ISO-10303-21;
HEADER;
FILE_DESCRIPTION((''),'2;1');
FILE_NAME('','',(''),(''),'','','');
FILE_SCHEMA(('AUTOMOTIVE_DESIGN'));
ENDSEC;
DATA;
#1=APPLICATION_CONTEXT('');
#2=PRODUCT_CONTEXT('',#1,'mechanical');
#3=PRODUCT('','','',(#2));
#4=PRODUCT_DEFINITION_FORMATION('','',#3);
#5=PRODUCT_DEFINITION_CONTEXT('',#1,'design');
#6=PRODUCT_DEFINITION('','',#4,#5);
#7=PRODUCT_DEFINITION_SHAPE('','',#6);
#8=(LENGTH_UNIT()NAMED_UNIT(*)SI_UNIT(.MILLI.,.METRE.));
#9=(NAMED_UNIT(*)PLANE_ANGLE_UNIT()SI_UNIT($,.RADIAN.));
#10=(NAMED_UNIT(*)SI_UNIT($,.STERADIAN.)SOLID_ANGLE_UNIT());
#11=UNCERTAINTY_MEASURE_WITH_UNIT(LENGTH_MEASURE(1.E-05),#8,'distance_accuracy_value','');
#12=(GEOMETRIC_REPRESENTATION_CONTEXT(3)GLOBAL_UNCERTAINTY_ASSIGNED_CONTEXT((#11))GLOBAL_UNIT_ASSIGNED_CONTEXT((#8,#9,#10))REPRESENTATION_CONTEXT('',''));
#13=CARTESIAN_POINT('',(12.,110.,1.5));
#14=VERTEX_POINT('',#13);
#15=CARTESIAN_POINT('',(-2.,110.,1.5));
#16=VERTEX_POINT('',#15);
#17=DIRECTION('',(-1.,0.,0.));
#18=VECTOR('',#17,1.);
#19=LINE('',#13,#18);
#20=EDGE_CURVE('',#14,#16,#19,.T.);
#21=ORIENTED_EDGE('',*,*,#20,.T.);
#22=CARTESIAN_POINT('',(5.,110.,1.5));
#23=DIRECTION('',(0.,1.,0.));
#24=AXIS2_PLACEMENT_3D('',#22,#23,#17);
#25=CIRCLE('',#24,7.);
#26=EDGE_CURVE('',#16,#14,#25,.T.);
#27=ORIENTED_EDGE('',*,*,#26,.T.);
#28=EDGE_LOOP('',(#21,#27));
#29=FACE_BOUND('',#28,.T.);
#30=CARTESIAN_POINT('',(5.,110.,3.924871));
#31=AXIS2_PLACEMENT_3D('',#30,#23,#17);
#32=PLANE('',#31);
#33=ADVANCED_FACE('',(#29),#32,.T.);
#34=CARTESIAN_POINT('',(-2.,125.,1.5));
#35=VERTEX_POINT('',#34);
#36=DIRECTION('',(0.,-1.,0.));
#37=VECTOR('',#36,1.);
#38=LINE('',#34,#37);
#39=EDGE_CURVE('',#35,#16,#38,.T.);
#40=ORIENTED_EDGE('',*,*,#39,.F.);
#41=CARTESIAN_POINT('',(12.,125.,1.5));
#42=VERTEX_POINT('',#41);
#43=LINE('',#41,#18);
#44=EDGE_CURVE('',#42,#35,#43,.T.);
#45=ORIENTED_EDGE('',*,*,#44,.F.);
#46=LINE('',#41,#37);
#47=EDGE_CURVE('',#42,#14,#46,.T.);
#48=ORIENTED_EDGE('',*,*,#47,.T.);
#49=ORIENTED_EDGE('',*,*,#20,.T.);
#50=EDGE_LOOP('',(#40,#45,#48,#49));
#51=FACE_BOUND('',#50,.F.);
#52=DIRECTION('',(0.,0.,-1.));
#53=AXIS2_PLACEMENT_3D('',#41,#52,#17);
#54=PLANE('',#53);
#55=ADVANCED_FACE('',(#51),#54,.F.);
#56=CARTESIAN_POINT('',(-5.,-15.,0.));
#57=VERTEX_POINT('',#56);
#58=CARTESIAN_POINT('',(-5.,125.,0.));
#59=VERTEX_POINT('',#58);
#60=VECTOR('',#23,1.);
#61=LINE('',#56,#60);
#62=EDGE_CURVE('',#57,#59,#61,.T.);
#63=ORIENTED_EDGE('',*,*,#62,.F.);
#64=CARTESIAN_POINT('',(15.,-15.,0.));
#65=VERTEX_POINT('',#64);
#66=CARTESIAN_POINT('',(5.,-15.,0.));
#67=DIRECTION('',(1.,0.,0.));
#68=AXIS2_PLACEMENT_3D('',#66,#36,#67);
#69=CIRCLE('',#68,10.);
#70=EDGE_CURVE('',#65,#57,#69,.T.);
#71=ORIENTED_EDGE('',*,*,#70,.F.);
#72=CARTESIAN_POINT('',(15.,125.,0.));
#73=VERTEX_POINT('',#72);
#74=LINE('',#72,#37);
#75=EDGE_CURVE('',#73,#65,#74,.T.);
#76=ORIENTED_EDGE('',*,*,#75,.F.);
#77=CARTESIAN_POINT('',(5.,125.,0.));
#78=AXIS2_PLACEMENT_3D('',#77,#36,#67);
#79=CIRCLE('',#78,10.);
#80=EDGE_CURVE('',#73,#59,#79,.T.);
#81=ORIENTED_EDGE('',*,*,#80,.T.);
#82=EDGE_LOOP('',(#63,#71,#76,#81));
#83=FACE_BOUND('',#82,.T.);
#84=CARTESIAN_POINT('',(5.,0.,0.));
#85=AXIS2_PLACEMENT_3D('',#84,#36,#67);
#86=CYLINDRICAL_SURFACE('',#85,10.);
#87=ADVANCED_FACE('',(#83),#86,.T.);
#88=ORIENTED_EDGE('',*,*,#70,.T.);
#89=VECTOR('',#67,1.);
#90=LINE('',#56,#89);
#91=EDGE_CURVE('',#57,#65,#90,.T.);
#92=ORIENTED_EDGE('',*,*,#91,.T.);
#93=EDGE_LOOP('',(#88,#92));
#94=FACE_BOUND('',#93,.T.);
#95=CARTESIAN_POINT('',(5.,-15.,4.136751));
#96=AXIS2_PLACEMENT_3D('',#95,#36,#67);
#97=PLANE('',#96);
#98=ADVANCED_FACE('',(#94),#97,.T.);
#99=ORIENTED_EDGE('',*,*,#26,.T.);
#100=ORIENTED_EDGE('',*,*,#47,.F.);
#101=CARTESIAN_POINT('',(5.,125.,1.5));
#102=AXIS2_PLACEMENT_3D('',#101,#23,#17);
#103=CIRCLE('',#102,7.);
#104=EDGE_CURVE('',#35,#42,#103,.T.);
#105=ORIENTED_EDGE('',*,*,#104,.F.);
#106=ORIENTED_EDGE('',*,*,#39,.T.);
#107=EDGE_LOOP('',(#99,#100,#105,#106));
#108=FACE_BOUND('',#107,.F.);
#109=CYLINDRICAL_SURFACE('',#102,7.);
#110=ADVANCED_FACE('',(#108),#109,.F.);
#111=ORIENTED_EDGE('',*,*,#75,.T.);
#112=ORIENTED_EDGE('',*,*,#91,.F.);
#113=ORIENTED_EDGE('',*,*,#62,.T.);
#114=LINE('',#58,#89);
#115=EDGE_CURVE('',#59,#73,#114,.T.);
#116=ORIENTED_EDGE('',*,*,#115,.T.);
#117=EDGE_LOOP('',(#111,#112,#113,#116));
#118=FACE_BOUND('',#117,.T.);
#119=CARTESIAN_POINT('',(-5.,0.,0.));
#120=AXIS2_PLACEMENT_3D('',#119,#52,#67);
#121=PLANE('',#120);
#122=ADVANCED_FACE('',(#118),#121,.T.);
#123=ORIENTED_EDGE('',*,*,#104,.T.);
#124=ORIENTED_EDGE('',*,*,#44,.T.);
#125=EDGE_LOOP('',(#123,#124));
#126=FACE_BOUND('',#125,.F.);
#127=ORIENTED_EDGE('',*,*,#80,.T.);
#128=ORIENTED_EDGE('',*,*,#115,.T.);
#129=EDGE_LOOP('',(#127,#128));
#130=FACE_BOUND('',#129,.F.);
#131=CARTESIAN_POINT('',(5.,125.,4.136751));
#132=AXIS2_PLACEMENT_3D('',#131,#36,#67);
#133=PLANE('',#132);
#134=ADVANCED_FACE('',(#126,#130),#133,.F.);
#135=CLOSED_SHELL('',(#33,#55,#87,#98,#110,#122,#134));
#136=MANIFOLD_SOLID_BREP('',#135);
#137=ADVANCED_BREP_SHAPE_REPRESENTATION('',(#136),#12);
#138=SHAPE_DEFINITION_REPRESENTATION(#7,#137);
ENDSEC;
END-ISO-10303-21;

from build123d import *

# Parameters (mm, degrees)
F1_DEPTH = 15
F2_DEPTH = 125
F4_DEPTH = 15


with BuildPart() as f1:
    # F0 (on Front) → F1 (new body)
    with BuildSketch(Plane.XZ):
        with BuildLine():
            Line((-5, 0), (0, 0))
            Line((0, 0), (0, 5))
            Line((0, 5), (5, 5))
            Line((5, 5), (10, 5))
            Line((10, 5), (10, 0))
            Line((10, 0), (15, 0))
            ThreePointArc((15, 0), (5, 10), (-5, 0))
        make_face()
        with BuildLine():
            ThreePointArc((5, 5), (1.4644660941, 3.5355339059), (0, 0))
            Line((0, 0), (10, 0))
            ThreePointArc((10, 0), (8.5355339059, 3.5355339059), (5, 5))
        make_face()
        with BuildLine():
            Line((0, 5), (0, 0))
            ThreePointArc((0, 0), (1.4644660941, 3.5355339059), (5, 5))
            Line((5, 5), (0, 5))
        make_face()
        with BuildLine():
            ThreePointArc((5, 5), (8.5355339059, 3.5355339059), (10, 0))
            Line((10, 0), (10, 5))
            Line((10, 5), (5, 5))
        make_face()
    extrude(amount=F1_DEPTH)

    # F0 (on Front) + F1_face (on face) → F2 (join)
    with BuildSketch(Plane.XZ):
        with BuildLine():
            Line((-5, 0), (0, 0))
            Line((0, 0), (0, 5))
            Line((0, 5), (5, 5))
            Line((5, 5), (10, 5))
            Line((10, 5), (10, 0))
            Line((10, 0), (15, 0))
            ThreePointArc((15, 0), (5, 10), (-5, 0))
        make_face()
        with BuildLine():
            ThreePointArc((5, 5), (8.5355339059, 3.5355339059), (10, 0))
            Line((10, 0), (10, 5))
            Line((10, 5), (5, 5))
        make_face()
        with BuildLine():
            Line((0, 5), (0, 0))
            ThreePointArc((0, 0), (1.4644660941, 3.5355339059), (5, 5))
            Line((5, 5), (0, 5))
        make_face()
    with BuildSketch(Plane(origin=(5, 0, 4.2441318158), x_dir=(1, 0, 0), z_dir=(0, 1, 0))):
        with BuildLine():
            Line((10, 4.2441318158), (-10, 4.2441318158))
            ThreePointArc((-10, 4.2441318158), (0, -5.7558681842), (10, 4.2441318158))
        make_face()
    extrude(amount=-F2_DEPTH, dir=(0, -1, 0))

    # F3 (on face) → F4 (cut)
    with BuildSketch(Plane(origin=(0, 125, 0), x_dir=(-1, 0, 0), z_dir=(0, 1, 0))):
        with BuildLine():
            Line((-12, 1.5), (2, 1.5))
            ThreePointArc((2, 1.5), (-5, 8.5), (-12, 1.5))
        make_face()
    extrude(amount=-F4_DEPTH, mode=Mode.SUBTRACT)


solid = f1.part
